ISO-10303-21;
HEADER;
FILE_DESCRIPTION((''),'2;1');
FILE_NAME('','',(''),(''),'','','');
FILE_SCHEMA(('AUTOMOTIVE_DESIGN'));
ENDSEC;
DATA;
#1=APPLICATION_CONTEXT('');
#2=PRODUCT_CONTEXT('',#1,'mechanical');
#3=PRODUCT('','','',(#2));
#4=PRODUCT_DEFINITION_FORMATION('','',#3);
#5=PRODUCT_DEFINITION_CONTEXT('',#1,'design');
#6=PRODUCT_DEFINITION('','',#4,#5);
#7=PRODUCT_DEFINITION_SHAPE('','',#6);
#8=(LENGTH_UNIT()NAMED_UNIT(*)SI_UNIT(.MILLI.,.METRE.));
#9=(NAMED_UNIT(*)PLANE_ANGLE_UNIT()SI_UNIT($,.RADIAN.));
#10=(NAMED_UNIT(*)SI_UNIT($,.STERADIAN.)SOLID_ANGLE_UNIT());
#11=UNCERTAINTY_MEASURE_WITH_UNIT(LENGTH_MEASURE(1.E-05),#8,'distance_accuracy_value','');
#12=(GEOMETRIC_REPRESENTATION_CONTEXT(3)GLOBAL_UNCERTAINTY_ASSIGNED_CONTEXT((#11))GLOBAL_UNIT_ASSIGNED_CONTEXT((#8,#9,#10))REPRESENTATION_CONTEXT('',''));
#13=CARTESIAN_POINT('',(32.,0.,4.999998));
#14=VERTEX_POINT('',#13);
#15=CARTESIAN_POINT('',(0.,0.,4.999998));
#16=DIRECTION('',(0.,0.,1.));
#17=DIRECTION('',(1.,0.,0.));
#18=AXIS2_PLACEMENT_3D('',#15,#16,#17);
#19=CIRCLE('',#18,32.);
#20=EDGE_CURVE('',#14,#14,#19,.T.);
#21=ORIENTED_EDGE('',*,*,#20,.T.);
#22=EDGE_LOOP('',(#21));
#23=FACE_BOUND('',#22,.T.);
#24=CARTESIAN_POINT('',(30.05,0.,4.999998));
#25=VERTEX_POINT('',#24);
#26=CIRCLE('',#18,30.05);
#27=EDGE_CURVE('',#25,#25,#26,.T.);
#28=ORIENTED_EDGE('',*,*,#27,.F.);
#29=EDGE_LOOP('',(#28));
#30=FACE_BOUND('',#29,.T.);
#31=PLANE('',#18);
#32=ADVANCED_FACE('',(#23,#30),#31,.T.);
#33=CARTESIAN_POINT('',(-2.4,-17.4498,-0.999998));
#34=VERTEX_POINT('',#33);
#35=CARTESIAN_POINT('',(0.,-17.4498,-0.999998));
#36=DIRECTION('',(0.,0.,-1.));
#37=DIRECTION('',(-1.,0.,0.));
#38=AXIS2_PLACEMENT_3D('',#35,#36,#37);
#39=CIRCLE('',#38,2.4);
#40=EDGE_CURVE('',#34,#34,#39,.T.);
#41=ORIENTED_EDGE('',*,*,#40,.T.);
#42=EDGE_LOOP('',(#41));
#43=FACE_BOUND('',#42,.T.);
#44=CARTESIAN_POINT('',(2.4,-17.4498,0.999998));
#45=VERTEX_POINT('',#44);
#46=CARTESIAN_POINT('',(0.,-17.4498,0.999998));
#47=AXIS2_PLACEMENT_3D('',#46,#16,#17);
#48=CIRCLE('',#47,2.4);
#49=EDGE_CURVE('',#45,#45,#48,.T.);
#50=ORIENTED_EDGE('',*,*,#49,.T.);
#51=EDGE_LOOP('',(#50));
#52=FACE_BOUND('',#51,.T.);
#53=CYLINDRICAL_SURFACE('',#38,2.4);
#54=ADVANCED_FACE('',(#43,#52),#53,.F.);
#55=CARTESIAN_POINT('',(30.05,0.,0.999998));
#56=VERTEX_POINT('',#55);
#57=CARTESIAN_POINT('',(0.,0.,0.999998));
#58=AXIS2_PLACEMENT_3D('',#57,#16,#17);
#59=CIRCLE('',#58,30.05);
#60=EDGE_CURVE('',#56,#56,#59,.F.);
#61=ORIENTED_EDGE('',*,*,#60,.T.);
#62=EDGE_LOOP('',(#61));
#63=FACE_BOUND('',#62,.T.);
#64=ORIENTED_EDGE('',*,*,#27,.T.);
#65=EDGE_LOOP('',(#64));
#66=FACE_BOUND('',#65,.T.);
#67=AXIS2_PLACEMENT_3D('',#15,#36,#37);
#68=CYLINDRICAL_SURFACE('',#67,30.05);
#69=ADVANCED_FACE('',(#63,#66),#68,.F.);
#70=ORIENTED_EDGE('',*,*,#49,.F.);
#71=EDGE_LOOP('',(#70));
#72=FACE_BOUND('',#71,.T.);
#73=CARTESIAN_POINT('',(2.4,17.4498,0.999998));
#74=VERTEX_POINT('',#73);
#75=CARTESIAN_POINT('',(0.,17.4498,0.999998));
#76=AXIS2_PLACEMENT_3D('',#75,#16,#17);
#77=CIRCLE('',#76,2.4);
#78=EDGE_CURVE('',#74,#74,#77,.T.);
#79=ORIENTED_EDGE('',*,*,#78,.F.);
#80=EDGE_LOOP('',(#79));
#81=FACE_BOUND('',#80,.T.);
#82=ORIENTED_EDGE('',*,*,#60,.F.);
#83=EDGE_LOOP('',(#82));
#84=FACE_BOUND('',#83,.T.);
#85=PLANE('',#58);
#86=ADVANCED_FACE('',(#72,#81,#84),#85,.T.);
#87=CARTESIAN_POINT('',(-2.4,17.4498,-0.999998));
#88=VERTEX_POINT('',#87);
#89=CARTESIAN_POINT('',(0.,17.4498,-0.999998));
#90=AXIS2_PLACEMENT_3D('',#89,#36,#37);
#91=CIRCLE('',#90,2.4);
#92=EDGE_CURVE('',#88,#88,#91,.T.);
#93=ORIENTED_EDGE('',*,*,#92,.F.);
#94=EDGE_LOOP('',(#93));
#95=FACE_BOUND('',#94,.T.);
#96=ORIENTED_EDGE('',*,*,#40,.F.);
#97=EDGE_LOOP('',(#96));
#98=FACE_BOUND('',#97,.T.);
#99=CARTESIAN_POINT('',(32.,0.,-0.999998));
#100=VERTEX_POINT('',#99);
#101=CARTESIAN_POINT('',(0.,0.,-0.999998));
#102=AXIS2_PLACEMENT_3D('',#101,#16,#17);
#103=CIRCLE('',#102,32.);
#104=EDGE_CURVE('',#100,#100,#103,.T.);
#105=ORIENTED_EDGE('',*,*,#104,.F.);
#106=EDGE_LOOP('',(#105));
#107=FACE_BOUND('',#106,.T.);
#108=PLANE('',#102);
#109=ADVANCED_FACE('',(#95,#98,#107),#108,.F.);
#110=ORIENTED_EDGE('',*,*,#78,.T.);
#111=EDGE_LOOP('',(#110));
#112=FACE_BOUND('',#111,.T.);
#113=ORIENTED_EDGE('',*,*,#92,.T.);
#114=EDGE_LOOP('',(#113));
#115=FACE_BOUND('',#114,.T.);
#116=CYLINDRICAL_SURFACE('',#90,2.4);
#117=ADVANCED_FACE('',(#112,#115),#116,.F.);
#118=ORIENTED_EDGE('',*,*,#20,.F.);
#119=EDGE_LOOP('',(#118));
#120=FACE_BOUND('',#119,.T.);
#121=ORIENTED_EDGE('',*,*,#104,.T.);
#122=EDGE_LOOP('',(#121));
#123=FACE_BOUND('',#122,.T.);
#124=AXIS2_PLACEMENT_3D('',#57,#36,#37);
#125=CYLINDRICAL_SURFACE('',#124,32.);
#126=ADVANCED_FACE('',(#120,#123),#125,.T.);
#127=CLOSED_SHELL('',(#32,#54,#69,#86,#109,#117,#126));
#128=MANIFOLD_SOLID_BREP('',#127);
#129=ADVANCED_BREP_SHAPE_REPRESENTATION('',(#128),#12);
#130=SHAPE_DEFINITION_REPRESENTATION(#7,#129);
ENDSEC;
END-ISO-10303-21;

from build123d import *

# Parameters (mm, degrees)
SKETCH1_R                = 32
BOSS_EXTRUDE1_DEPTH      = 0.999998
SKETCH2_R                = 32
SKETCH2_R_2              = 30.05
BOSS_EXTRUDE2_DEPTH      = 4
M4_CLEARANCE_HOLE1_D     = 4.8
M4_CLEARANCE_HOLE1_DEPTH = 1.999996


with BuildPart() as part:
    # Sketch1 → Boss-Extrude1 (new body, symmetric)
    with BuildSketch(Plane.XY):
        Circle(SKETCH1_R)
    extrude(amount=BOSS_EXTRUDE1_DEPTH, both=True)

    # Sketch2 → Boss-Extrude2 (add)
    with BuildSketch(Plane.XY.offset(0.999998)):
        Circle(SKETCH2_R)
        Circle(SKETCH2_R_2, mode=Mode.SUBTRACT)
    extrude(amount=BOSS_EXTRUDE2_DEPTH)

    # M4 Clearance Hole1
    with Locations(Plane(origin=(0, 0, -0.999998), x_dir=(-1, 0, 0), z_dir=(0, 0, -1))):
        with Locations((0, 17.4498), (0, -17.4498)):
            Hole(M4_CLEARANCE_HOLE1_D / 2, depth=M4_CLEARANCE_HOLE1_DEPTH)


solid = part.part
